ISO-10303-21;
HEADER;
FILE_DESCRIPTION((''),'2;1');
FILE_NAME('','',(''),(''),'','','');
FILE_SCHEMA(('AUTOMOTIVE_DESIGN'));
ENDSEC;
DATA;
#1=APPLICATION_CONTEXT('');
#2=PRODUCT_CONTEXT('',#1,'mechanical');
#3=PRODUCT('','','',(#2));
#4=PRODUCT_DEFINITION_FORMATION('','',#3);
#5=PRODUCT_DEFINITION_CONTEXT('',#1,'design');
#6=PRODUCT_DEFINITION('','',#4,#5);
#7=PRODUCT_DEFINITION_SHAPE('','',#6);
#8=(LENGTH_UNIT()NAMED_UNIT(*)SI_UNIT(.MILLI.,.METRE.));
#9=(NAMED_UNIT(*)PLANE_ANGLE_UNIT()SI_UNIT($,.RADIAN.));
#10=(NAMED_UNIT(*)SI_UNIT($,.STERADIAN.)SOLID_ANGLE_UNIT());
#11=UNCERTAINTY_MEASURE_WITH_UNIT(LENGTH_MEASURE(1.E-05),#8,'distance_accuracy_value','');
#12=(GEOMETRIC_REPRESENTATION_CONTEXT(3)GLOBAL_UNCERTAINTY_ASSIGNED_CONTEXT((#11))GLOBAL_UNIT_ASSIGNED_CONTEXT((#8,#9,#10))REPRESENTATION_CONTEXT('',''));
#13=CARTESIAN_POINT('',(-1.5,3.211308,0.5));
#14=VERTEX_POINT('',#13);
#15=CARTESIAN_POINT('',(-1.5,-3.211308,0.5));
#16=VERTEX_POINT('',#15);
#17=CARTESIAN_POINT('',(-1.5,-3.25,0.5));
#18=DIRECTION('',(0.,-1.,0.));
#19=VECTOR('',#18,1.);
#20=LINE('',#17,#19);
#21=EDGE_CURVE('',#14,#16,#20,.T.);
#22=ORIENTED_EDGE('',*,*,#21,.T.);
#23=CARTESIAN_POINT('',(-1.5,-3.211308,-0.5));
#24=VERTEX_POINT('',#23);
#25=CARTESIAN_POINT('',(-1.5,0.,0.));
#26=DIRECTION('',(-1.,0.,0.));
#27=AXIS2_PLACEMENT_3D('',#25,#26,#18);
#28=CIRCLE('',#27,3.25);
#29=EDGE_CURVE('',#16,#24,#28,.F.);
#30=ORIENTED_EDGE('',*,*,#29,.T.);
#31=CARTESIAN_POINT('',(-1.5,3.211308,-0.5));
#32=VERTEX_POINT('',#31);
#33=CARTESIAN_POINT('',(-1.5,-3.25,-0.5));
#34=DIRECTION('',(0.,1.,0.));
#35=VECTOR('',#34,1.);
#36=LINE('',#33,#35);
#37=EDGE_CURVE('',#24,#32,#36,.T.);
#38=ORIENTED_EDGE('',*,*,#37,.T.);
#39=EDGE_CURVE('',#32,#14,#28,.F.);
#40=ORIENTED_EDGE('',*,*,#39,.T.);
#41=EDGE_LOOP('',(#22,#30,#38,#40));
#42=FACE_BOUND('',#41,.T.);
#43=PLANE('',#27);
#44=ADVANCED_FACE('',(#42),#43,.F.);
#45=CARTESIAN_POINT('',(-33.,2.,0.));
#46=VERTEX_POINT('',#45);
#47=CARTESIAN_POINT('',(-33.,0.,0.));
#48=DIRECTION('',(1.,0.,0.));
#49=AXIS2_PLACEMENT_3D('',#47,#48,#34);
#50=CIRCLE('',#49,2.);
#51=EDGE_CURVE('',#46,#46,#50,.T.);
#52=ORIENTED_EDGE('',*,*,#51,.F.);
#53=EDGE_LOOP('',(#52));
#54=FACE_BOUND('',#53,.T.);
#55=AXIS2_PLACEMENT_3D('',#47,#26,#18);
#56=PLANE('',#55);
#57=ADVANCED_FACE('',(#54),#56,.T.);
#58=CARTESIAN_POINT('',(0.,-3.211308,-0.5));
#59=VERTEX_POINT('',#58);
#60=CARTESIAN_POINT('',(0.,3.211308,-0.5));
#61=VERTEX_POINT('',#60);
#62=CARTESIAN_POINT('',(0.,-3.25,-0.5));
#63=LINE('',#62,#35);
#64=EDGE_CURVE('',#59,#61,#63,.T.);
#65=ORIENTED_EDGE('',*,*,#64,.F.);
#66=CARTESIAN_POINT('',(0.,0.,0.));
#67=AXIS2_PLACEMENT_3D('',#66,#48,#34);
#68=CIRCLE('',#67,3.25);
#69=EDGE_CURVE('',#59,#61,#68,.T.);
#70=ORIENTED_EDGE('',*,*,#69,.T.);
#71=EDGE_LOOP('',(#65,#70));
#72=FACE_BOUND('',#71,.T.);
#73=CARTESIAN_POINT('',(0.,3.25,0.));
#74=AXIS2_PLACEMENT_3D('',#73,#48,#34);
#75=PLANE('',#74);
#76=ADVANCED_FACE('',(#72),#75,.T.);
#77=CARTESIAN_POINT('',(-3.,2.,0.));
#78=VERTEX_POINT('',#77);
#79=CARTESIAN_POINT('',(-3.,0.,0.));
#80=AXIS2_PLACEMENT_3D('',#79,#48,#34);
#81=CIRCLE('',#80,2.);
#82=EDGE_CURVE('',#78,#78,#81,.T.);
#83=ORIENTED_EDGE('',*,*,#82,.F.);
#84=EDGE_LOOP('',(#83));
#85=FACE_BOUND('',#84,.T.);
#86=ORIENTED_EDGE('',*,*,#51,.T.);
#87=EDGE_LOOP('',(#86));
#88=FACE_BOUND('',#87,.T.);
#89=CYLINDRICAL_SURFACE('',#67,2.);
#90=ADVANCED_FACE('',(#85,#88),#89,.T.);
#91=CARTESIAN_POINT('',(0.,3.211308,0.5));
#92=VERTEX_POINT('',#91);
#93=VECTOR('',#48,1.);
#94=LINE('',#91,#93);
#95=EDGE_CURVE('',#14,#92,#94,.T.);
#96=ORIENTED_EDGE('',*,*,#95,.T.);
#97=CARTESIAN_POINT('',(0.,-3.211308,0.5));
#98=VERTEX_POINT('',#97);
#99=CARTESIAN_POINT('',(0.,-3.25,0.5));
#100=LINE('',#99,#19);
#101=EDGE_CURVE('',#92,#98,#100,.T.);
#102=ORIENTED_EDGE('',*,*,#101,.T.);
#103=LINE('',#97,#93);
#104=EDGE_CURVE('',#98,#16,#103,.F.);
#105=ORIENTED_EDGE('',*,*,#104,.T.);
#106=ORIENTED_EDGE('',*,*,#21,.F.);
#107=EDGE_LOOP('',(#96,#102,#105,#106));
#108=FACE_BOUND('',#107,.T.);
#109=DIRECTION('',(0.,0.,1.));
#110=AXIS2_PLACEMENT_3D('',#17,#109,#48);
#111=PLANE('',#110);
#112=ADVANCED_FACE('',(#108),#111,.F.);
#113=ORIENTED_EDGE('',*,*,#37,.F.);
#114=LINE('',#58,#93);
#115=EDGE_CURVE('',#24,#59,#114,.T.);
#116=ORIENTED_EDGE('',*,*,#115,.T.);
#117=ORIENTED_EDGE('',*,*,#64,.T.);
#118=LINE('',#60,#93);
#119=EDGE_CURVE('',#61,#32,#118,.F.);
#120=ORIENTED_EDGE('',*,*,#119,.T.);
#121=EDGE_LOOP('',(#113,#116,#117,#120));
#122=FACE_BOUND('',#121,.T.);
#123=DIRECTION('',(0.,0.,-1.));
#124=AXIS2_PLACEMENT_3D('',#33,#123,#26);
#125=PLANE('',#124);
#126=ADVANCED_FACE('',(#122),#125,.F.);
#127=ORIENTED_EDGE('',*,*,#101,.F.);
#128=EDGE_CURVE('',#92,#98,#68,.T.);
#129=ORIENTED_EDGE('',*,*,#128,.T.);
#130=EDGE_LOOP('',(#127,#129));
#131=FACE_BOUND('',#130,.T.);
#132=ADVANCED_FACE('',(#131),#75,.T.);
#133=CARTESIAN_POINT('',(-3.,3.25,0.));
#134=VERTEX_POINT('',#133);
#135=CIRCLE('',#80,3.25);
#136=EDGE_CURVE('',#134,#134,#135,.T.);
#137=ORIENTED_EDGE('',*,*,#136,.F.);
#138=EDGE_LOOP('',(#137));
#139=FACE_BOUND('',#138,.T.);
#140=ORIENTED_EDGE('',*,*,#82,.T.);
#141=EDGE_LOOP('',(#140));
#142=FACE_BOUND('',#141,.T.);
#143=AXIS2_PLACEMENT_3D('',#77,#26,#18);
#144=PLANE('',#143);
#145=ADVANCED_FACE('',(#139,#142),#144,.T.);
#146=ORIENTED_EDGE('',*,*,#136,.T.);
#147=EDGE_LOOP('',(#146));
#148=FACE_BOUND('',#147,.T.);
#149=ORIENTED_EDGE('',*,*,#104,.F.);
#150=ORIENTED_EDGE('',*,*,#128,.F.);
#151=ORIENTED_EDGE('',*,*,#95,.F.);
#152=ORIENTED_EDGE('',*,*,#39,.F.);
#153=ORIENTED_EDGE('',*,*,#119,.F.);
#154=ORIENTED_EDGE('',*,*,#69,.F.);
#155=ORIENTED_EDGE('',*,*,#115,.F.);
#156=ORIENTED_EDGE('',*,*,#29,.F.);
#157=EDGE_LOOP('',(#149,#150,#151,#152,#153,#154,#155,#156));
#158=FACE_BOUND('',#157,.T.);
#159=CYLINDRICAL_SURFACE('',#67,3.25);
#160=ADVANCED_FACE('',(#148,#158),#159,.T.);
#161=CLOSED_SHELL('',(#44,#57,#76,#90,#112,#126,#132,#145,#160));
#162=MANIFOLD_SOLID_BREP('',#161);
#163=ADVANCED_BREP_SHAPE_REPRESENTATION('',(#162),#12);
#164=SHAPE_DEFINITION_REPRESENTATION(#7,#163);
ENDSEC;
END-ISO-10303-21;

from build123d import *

# Parameters (mm, degrees)
SKETCH2_W          = 1
SKETCH2_H          = 6.5
CUT_EXTRUDE1_DEPTH = 1.5


with BuildPart() as part:
    # Sketch1 → Revolve1 (revolve)
    with BuildSketch(Plane.XY):
        Polygon((0, 0), (-33, 0), (-33, 2), (-3, 2), (-3, 3.25), (0, 3.25), align=None)
    revolve(axis=Axis((0, 0, 0), (-1, 0, 0)))

    # Sketch2 → Cut-Extrude1 (cut)
    with BuildSketch(Plane(origin=(0, 0, 0), x_dir=(0, 0, -1), z_dir=(1, 0, 0))):
        Rectangle(SKETCH2_W, SKETCH2_H)
    extrude(amount=-CUT_EXTRUDE1_DEPTH, mode=Mode.SUBTRACT)


solid = part.part
